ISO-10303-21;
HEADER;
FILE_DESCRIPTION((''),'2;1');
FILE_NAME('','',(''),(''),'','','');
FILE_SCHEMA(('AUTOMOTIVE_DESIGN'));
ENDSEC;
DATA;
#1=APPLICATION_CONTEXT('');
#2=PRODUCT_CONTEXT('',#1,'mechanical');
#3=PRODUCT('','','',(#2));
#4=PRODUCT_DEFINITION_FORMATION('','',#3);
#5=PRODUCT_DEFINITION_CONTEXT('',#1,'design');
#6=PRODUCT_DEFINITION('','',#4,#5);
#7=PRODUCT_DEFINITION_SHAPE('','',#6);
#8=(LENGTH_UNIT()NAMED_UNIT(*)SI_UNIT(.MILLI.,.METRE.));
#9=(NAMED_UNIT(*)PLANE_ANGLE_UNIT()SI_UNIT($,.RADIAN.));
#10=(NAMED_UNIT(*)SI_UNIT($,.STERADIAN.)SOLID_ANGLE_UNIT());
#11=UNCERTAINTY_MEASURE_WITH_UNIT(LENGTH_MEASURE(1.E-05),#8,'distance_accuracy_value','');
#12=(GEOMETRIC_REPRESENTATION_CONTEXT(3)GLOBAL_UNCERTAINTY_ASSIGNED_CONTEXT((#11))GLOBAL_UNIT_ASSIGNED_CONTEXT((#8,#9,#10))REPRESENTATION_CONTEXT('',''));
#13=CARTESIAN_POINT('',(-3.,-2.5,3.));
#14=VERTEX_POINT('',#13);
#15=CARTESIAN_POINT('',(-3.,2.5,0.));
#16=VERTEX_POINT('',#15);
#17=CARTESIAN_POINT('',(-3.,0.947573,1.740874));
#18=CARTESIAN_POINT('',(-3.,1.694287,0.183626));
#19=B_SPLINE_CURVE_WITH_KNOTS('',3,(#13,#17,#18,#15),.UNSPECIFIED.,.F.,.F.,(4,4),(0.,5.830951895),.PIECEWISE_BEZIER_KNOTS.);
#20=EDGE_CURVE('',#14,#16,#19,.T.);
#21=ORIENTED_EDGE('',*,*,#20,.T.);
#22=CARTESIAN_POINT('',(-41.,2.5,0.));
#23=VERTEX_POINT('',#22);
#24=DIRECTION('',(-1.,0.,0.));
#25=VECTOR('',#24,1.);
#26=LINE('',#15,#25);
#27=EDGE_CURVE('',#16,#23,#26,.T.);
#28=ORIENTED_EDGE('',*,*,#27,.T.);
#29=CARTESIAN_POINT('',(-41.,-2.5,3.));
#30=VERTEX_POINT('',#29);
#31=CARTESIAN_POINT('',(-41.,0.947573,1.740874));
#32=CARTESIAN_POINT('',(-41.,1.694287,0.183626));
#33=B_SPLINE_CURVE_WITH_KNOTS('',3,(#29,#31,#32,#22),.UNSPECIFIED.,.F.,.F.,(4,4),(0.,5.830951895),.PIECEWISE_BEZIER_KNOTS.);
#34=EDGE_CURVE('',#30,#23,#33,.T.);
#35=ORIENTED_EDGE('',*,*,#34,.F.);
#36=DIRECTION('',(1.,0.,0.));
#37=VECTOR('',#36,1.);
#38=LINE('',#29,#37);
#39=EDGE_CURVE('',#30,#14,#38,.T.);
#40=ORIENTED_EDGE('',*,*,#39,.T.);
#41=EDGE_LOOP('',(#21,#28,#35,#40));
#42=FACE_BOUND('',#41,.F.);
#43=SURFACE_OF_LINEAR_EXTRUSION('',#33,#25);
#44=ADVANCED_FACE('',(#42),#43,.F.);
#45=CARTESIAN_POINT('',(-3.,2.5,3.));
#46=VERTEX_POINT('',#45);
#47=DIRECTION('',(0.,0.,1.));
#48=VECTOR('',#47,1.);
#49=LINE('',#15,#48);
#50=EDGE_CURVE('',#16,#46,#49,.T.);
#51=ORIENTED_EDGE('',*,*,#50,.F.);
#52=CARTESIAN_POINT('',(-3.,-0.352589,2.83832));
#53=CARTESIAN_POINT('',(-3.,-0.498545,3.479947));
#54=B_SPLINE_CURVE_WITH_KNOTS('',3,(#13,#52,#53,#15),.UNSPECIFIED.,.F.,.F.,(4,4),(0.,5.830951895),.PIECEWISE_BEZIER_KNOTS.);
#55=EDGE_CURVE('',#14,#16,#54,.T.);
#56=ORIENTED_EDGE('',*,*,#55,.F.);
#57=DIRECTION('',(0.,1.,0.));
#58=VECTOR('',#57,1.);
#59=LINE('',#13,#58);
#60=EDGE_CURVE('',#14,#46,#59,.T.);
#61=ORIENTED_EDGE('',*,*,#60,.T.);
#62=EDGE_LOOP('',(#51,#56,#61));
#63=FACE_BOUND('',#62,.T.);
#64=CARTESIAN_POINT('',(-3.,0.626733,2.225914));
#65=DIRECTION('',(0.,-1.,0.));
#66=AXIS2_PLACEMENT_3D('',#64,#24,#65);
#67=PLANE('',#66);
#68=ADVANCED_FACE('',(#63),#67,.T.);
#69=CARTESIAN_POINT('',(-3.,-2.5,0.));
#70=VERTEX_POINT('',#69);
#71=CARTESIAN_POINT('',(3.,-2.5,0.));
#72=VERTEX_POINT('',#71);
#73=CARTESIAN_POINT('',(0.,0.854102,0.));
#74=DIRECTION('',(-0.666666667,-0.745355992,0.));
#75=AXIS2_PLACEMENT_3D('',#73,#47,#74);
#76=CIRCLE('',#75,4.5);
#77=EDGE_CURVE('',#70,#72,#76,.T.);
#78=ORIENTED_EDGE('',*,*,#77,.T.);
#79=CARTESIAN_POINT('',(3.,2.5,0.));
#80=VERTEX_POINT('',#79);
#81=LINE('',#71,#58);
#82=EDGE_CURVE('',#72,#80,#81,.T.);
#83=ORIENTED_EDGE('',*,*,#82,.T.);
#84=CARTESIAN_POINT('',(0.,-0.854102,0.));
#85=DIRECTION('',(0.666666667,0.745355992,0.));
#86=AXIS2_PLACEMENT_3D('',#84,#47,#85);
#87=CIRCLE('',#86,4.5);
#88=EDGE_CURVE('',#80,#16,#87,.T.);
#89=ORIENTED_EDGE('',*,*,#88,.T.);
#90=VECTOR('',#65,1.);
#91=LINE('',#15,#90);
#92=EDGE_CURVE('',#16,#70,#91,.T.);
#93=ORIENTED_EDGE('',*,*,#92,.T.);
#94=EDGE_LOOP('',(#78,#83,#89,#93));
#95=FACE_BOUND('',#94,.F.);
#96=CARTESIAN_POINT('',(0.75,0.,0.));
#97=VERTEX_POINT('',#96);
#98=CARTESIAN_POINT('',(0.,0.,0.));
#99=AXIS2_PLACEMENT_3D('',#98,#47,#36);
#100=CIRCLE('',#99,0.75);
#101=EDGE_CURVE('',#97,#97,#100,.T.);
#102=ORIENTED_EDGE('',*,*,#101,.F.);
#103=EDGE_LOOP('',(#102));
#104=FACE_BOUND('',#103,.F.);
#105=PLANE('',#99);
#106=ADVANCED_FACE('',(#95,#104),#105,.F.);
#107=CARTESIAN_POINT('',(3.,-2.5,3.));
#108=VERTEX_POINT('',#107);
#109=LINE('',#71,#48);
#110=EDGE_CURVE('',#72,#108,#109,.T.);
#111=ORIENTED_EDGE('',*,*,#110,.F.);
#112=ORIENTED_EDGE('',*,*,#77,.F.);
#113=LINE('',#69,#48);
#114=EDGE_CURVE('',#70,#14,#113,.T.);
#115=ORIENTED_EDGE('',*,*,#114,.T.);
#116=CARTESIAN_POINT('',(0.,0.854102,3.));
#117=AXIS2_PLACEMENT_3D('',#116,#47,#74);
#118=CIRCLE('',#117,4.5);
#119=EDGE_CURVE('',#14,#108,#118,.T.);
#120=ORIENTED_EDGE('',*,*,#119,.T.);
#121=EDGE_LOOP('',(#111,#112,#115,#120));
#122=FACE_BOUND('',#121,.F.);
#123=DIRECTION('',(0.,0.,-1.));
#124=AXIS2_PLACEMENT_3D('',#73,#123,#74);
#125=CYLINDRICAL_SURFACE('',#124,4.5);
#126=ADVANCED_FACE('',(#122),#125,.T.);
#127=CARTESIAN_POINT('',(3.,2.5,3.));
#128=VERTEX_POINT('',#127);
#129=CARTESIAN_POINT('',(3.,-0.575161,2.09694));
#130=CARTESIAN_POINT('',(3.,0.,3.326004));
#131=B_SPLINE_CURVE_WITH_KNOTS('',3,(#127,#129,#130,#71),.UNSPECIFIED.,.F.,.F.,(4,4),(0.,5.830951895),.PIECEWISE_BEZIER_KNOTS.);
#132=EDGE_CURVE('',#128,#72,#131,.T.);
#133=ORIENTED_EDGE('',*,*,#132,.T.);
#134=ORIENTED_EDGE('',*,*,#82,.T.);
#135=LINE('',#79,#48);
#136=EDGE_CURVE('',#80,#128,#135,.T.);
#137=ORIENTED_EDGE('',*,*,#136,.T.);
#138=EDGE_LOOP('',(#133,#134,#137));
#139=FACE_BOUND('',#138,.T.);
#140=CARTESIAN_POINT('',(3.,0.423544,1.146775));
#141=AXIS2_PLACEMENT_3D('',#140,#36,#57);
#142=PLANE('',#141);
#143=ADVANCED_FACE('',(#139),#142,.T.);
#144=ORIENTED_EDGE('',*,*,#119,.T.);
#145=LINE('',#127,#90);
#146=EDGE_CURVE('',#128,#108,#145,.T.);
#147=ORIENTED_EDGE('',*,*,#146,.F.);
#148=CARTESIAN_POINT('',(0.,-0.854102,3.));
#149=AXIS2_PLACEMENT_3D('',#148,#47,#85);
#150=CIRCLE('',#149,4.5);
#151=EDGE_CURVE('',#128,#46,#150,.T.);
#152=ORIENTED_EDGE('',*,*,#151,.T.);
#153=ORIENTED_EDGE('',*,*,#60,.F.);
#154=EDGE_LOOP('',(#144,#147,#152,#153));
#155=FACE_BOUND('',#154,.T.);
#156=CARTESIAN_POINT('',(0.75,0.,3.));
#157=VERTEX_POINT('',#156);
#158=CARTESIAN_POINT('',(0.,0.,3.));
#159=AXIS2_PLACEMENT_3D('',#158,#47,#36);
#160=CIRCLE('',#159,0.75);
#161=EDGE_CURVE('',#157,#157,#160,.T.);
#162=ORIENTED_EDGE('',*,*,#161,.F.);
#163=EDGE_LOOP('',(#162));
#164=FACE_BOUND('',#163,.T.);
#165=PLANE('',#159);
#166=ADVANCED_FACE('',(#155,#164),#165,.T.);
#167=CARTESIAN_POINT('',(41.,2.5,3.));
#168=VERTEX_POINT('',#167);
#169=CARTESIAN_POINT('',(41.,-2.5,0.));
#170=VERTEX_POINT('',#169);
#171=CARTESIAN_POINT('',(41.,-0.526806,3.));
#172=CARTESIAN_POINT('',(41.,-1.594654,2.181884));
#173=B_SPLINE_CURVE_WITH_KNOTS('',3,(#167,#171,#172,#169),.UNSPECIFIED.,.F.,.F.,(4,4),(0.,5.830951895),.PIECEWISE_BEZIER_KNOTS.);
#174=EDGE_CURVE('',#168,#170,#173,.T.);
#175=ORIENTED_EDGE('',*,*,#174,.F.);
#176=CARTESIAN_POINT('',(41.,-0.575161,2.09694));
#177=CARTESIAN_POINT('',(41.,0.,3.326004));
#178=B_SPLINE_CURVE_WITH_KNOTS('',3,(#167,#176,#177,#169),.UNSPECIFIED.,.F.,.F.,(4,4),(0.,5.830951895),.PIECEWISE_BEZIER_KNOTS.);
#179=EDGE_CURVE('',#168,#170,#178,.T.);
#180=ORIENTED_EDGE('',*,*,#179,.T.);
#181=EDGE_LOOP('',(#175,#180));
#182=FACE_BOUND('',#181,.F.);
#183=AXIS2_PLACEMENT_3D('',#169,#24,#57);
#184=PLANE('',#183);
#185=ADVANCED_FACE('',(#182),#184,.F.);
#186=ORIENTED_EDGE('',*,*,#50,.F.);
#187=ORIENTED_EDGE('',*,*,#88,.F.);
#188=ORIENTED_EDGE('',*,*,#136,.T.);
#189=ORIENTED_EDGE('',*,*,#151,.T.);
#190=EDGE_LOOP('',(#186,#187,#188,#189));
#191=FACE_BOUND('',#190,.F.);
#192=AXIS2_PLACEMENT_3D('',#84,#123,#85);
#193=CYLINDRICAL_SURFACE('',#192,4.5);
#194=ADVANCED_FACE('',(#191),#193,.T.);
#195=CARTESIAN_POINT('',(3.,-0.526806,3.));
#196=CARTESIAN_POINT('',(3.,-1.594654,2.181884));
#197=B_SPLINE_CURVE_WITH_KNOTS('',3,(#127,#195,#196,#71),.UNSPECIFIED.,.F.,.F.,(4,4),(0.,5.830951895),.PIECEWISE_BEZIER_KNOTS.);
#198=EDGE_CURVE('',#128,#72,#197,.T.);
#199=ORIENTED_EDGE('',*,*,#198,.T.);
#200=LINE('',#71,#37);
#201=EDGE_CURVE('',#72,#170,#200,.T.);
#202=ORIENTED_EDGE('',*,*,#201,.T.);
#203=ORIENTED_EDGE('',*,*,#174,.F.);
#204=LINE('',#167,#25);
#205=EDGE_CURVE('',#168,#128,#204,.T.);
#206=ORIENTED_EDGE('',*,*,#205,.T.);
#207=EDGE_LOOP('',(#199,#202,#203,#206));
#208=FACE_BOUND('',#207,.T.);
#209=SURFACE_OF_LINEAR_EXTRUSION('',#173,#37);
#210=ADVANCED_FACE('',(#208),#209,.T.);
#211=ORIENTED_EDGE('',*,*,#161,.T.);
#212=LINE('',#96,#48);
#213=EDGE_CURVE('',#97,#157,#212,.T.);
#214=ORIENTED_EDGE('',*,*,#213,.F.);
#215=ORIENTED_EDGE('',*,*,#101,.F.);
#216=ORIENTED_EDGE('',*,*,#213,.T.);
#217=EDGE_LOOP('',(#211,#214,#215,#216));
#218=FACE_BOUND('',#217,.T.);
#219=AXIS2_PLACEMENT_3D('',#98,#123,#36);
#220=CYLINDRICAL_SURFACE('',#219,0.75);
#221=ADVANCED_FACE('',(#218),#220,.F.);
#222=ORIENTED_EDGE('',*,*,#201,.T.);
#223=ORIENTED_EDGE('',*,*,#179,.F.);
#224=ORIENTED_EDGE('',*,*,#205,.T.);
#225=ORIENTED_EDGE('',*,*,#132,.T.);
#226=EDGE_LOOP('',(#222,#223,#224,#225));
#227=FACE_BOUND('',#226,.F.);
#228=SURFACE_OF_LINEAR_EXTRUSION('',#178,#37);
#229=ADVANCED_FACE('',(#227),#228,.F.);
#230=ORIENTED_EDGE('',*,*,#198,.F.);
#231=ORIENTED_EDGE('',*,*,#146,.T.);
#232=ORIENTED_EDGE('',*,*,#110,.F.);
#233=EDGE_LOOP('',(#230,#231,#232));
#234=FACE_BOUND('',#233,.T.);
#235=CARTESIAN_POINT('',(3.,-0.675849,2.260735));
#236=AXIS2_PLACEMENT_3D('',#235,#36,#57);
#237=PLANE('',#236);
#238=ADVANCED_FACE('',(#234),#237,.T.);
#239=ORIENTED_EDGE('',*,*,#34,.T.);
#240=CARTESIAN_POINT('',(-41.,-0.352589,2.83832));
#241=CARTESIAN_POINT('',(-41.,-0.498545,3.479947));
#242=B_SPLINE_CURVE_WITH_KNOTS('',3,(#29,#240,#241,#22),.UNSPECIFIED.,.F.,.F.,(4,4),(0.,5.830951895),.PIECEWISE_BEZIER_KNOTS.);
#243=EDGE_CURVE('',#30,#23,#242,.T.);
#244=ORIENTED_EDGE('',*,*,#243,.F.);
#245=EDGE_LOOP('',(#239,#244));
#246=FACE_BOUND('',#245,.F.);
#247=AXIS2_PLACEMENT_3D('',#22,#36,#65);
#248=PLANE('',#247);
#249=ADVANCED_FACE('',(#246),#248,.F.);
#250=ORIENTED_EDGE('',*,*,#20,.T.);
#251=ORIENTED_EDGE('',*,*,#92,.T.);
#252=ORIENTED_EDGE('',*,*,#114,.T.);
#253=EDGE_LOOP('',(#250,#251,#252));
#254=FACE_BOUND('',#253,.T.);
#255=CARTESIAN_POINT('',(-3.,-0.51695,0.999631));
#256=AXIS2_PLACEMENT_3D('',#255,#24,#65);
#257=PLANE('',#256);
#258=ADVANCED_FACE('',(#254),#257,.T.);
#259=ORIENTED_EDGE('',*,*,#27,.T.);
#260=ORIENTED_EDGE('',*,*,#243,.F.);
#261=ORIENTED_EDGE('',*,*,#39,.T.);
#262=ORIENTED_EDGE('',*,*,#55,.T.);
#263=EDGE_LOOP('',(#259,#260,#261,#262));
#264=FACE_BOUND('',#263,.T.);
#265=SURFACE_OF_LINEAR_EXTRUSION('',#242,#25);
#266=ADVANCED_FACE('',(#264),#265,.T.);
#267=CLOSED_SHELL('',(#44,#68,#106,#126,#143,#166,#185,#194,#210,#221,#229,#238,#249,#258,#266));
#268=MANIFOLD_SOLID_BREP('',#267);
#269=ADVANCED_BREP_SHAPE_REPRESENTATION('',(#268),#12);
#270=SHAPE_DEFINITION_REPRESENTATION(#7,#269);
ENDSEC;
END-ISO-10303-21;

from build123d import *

# Parameters (mm, degrees)
F0_R     = 0.75
F1_DEPTH = 3
F3_DEPTH = 38
F5_DEPTH = 38


with BuildPart() as f1:
    # F0 (on Top) → F1 (new body)
    with BuildSketch(Plane.XY):
        with BuildLine():
            ThreePointArc((-3, -2.5), (0, -3.6458980338), (3, -2.5))
            Line((3, -2.5), (41, -2.5))
            Line((41, -2.5), (41, 2.5))
            Line((41, 2.5), (3, 2.5))
            ThreePointArc((3, 2.5), (0, 3.6458980338), (-3, 2.5))
            Line((-3, 2.5), (-41, 2.5))
            Line((-41, 2.5), (-41, -2.5))
            Line((-41, -2.5), (-3, -2.5))
        make_face()
        Circle(F0_R, mode=Mode.SUBTRACT)
    extrude(amount=F1_DEPTH)

    # F2 (on face) → F3 (cut)
    with BuildSketch(Plane(origin=(-41, 0, 0), x_dir=(0, -1, 0), z_dir=(-1, 0, 0))):
        with BuildLine():
            Line((-2.5, 3), (-2.5, 0))
            add(Edge.make_bspline(
                [(2.5, 3), (0.3525893576, 2.8383196332), (0.498545412, 3.4799471032), (-2.5, 0)],
                knots=[0, 0, 0, 0, 5.8309518948, 5.8309518948, 5.8309518948, 5.8309518948], degree=3))
            Line((2.5, 3), (-2.5, 3))
        make_face()
        with BuildLine():
            add(Edge.make_bspline(
                [(2.5, 3), (-0.9475729289, 1.7408737913), (-1.6942867384, 0.1836255688), (-2.5, 0)],
                knots=[0, 0, 0, 0, 5.8309518948, 5.8309518948, 5.8309518948, 5.8309518948], degree=3))
            Line((-2.5, 0), (2.5, 0))
            Line((2.5, 0), (2.5, 3))
        make_face()
    extrude(amount=-F3_DEPTH, mode=Mode.SUBTRACT)

    # F4 (on face) → F5 (cut)
    with BuildSketch(Plane.YZ.offset(41)):
        with BuildLine():
            Line((-2.5, 3), (-2.5, 0))
            add(Edge.make_bspline(
                [(2.5, 3), (-0.5268059229, 3), (-1.5946542285, 2.181884367), (-2.5, 0)],
                knots=[0, 0, 0, 0, 5.8309518948, 5.8309518948, 5.8309518948, 5.8309518948], degree=3))
            Line((2.5, 3), (-2.5, 3))
        make_face()
        with BuildLine():
            add(Edge.make_bspline(
                [(2.5, 3), (-0.5751613621, 2.0969400648), (0, 3.3260041473), (-2.5, 0)],
                knots=[0, 0, 0, 0, 5.8309518948, 5.8309518948, 5.8309518948, 5.8309518948], degree=3))
            Line((-2.5, 0), (2.5, 0))
            Line((2.5, 0), (2.5, 3))
        make_face()
    extrude(amount=-F5_DEPTH, mode=Mode.SUBTRACT)


solid = f1.part
